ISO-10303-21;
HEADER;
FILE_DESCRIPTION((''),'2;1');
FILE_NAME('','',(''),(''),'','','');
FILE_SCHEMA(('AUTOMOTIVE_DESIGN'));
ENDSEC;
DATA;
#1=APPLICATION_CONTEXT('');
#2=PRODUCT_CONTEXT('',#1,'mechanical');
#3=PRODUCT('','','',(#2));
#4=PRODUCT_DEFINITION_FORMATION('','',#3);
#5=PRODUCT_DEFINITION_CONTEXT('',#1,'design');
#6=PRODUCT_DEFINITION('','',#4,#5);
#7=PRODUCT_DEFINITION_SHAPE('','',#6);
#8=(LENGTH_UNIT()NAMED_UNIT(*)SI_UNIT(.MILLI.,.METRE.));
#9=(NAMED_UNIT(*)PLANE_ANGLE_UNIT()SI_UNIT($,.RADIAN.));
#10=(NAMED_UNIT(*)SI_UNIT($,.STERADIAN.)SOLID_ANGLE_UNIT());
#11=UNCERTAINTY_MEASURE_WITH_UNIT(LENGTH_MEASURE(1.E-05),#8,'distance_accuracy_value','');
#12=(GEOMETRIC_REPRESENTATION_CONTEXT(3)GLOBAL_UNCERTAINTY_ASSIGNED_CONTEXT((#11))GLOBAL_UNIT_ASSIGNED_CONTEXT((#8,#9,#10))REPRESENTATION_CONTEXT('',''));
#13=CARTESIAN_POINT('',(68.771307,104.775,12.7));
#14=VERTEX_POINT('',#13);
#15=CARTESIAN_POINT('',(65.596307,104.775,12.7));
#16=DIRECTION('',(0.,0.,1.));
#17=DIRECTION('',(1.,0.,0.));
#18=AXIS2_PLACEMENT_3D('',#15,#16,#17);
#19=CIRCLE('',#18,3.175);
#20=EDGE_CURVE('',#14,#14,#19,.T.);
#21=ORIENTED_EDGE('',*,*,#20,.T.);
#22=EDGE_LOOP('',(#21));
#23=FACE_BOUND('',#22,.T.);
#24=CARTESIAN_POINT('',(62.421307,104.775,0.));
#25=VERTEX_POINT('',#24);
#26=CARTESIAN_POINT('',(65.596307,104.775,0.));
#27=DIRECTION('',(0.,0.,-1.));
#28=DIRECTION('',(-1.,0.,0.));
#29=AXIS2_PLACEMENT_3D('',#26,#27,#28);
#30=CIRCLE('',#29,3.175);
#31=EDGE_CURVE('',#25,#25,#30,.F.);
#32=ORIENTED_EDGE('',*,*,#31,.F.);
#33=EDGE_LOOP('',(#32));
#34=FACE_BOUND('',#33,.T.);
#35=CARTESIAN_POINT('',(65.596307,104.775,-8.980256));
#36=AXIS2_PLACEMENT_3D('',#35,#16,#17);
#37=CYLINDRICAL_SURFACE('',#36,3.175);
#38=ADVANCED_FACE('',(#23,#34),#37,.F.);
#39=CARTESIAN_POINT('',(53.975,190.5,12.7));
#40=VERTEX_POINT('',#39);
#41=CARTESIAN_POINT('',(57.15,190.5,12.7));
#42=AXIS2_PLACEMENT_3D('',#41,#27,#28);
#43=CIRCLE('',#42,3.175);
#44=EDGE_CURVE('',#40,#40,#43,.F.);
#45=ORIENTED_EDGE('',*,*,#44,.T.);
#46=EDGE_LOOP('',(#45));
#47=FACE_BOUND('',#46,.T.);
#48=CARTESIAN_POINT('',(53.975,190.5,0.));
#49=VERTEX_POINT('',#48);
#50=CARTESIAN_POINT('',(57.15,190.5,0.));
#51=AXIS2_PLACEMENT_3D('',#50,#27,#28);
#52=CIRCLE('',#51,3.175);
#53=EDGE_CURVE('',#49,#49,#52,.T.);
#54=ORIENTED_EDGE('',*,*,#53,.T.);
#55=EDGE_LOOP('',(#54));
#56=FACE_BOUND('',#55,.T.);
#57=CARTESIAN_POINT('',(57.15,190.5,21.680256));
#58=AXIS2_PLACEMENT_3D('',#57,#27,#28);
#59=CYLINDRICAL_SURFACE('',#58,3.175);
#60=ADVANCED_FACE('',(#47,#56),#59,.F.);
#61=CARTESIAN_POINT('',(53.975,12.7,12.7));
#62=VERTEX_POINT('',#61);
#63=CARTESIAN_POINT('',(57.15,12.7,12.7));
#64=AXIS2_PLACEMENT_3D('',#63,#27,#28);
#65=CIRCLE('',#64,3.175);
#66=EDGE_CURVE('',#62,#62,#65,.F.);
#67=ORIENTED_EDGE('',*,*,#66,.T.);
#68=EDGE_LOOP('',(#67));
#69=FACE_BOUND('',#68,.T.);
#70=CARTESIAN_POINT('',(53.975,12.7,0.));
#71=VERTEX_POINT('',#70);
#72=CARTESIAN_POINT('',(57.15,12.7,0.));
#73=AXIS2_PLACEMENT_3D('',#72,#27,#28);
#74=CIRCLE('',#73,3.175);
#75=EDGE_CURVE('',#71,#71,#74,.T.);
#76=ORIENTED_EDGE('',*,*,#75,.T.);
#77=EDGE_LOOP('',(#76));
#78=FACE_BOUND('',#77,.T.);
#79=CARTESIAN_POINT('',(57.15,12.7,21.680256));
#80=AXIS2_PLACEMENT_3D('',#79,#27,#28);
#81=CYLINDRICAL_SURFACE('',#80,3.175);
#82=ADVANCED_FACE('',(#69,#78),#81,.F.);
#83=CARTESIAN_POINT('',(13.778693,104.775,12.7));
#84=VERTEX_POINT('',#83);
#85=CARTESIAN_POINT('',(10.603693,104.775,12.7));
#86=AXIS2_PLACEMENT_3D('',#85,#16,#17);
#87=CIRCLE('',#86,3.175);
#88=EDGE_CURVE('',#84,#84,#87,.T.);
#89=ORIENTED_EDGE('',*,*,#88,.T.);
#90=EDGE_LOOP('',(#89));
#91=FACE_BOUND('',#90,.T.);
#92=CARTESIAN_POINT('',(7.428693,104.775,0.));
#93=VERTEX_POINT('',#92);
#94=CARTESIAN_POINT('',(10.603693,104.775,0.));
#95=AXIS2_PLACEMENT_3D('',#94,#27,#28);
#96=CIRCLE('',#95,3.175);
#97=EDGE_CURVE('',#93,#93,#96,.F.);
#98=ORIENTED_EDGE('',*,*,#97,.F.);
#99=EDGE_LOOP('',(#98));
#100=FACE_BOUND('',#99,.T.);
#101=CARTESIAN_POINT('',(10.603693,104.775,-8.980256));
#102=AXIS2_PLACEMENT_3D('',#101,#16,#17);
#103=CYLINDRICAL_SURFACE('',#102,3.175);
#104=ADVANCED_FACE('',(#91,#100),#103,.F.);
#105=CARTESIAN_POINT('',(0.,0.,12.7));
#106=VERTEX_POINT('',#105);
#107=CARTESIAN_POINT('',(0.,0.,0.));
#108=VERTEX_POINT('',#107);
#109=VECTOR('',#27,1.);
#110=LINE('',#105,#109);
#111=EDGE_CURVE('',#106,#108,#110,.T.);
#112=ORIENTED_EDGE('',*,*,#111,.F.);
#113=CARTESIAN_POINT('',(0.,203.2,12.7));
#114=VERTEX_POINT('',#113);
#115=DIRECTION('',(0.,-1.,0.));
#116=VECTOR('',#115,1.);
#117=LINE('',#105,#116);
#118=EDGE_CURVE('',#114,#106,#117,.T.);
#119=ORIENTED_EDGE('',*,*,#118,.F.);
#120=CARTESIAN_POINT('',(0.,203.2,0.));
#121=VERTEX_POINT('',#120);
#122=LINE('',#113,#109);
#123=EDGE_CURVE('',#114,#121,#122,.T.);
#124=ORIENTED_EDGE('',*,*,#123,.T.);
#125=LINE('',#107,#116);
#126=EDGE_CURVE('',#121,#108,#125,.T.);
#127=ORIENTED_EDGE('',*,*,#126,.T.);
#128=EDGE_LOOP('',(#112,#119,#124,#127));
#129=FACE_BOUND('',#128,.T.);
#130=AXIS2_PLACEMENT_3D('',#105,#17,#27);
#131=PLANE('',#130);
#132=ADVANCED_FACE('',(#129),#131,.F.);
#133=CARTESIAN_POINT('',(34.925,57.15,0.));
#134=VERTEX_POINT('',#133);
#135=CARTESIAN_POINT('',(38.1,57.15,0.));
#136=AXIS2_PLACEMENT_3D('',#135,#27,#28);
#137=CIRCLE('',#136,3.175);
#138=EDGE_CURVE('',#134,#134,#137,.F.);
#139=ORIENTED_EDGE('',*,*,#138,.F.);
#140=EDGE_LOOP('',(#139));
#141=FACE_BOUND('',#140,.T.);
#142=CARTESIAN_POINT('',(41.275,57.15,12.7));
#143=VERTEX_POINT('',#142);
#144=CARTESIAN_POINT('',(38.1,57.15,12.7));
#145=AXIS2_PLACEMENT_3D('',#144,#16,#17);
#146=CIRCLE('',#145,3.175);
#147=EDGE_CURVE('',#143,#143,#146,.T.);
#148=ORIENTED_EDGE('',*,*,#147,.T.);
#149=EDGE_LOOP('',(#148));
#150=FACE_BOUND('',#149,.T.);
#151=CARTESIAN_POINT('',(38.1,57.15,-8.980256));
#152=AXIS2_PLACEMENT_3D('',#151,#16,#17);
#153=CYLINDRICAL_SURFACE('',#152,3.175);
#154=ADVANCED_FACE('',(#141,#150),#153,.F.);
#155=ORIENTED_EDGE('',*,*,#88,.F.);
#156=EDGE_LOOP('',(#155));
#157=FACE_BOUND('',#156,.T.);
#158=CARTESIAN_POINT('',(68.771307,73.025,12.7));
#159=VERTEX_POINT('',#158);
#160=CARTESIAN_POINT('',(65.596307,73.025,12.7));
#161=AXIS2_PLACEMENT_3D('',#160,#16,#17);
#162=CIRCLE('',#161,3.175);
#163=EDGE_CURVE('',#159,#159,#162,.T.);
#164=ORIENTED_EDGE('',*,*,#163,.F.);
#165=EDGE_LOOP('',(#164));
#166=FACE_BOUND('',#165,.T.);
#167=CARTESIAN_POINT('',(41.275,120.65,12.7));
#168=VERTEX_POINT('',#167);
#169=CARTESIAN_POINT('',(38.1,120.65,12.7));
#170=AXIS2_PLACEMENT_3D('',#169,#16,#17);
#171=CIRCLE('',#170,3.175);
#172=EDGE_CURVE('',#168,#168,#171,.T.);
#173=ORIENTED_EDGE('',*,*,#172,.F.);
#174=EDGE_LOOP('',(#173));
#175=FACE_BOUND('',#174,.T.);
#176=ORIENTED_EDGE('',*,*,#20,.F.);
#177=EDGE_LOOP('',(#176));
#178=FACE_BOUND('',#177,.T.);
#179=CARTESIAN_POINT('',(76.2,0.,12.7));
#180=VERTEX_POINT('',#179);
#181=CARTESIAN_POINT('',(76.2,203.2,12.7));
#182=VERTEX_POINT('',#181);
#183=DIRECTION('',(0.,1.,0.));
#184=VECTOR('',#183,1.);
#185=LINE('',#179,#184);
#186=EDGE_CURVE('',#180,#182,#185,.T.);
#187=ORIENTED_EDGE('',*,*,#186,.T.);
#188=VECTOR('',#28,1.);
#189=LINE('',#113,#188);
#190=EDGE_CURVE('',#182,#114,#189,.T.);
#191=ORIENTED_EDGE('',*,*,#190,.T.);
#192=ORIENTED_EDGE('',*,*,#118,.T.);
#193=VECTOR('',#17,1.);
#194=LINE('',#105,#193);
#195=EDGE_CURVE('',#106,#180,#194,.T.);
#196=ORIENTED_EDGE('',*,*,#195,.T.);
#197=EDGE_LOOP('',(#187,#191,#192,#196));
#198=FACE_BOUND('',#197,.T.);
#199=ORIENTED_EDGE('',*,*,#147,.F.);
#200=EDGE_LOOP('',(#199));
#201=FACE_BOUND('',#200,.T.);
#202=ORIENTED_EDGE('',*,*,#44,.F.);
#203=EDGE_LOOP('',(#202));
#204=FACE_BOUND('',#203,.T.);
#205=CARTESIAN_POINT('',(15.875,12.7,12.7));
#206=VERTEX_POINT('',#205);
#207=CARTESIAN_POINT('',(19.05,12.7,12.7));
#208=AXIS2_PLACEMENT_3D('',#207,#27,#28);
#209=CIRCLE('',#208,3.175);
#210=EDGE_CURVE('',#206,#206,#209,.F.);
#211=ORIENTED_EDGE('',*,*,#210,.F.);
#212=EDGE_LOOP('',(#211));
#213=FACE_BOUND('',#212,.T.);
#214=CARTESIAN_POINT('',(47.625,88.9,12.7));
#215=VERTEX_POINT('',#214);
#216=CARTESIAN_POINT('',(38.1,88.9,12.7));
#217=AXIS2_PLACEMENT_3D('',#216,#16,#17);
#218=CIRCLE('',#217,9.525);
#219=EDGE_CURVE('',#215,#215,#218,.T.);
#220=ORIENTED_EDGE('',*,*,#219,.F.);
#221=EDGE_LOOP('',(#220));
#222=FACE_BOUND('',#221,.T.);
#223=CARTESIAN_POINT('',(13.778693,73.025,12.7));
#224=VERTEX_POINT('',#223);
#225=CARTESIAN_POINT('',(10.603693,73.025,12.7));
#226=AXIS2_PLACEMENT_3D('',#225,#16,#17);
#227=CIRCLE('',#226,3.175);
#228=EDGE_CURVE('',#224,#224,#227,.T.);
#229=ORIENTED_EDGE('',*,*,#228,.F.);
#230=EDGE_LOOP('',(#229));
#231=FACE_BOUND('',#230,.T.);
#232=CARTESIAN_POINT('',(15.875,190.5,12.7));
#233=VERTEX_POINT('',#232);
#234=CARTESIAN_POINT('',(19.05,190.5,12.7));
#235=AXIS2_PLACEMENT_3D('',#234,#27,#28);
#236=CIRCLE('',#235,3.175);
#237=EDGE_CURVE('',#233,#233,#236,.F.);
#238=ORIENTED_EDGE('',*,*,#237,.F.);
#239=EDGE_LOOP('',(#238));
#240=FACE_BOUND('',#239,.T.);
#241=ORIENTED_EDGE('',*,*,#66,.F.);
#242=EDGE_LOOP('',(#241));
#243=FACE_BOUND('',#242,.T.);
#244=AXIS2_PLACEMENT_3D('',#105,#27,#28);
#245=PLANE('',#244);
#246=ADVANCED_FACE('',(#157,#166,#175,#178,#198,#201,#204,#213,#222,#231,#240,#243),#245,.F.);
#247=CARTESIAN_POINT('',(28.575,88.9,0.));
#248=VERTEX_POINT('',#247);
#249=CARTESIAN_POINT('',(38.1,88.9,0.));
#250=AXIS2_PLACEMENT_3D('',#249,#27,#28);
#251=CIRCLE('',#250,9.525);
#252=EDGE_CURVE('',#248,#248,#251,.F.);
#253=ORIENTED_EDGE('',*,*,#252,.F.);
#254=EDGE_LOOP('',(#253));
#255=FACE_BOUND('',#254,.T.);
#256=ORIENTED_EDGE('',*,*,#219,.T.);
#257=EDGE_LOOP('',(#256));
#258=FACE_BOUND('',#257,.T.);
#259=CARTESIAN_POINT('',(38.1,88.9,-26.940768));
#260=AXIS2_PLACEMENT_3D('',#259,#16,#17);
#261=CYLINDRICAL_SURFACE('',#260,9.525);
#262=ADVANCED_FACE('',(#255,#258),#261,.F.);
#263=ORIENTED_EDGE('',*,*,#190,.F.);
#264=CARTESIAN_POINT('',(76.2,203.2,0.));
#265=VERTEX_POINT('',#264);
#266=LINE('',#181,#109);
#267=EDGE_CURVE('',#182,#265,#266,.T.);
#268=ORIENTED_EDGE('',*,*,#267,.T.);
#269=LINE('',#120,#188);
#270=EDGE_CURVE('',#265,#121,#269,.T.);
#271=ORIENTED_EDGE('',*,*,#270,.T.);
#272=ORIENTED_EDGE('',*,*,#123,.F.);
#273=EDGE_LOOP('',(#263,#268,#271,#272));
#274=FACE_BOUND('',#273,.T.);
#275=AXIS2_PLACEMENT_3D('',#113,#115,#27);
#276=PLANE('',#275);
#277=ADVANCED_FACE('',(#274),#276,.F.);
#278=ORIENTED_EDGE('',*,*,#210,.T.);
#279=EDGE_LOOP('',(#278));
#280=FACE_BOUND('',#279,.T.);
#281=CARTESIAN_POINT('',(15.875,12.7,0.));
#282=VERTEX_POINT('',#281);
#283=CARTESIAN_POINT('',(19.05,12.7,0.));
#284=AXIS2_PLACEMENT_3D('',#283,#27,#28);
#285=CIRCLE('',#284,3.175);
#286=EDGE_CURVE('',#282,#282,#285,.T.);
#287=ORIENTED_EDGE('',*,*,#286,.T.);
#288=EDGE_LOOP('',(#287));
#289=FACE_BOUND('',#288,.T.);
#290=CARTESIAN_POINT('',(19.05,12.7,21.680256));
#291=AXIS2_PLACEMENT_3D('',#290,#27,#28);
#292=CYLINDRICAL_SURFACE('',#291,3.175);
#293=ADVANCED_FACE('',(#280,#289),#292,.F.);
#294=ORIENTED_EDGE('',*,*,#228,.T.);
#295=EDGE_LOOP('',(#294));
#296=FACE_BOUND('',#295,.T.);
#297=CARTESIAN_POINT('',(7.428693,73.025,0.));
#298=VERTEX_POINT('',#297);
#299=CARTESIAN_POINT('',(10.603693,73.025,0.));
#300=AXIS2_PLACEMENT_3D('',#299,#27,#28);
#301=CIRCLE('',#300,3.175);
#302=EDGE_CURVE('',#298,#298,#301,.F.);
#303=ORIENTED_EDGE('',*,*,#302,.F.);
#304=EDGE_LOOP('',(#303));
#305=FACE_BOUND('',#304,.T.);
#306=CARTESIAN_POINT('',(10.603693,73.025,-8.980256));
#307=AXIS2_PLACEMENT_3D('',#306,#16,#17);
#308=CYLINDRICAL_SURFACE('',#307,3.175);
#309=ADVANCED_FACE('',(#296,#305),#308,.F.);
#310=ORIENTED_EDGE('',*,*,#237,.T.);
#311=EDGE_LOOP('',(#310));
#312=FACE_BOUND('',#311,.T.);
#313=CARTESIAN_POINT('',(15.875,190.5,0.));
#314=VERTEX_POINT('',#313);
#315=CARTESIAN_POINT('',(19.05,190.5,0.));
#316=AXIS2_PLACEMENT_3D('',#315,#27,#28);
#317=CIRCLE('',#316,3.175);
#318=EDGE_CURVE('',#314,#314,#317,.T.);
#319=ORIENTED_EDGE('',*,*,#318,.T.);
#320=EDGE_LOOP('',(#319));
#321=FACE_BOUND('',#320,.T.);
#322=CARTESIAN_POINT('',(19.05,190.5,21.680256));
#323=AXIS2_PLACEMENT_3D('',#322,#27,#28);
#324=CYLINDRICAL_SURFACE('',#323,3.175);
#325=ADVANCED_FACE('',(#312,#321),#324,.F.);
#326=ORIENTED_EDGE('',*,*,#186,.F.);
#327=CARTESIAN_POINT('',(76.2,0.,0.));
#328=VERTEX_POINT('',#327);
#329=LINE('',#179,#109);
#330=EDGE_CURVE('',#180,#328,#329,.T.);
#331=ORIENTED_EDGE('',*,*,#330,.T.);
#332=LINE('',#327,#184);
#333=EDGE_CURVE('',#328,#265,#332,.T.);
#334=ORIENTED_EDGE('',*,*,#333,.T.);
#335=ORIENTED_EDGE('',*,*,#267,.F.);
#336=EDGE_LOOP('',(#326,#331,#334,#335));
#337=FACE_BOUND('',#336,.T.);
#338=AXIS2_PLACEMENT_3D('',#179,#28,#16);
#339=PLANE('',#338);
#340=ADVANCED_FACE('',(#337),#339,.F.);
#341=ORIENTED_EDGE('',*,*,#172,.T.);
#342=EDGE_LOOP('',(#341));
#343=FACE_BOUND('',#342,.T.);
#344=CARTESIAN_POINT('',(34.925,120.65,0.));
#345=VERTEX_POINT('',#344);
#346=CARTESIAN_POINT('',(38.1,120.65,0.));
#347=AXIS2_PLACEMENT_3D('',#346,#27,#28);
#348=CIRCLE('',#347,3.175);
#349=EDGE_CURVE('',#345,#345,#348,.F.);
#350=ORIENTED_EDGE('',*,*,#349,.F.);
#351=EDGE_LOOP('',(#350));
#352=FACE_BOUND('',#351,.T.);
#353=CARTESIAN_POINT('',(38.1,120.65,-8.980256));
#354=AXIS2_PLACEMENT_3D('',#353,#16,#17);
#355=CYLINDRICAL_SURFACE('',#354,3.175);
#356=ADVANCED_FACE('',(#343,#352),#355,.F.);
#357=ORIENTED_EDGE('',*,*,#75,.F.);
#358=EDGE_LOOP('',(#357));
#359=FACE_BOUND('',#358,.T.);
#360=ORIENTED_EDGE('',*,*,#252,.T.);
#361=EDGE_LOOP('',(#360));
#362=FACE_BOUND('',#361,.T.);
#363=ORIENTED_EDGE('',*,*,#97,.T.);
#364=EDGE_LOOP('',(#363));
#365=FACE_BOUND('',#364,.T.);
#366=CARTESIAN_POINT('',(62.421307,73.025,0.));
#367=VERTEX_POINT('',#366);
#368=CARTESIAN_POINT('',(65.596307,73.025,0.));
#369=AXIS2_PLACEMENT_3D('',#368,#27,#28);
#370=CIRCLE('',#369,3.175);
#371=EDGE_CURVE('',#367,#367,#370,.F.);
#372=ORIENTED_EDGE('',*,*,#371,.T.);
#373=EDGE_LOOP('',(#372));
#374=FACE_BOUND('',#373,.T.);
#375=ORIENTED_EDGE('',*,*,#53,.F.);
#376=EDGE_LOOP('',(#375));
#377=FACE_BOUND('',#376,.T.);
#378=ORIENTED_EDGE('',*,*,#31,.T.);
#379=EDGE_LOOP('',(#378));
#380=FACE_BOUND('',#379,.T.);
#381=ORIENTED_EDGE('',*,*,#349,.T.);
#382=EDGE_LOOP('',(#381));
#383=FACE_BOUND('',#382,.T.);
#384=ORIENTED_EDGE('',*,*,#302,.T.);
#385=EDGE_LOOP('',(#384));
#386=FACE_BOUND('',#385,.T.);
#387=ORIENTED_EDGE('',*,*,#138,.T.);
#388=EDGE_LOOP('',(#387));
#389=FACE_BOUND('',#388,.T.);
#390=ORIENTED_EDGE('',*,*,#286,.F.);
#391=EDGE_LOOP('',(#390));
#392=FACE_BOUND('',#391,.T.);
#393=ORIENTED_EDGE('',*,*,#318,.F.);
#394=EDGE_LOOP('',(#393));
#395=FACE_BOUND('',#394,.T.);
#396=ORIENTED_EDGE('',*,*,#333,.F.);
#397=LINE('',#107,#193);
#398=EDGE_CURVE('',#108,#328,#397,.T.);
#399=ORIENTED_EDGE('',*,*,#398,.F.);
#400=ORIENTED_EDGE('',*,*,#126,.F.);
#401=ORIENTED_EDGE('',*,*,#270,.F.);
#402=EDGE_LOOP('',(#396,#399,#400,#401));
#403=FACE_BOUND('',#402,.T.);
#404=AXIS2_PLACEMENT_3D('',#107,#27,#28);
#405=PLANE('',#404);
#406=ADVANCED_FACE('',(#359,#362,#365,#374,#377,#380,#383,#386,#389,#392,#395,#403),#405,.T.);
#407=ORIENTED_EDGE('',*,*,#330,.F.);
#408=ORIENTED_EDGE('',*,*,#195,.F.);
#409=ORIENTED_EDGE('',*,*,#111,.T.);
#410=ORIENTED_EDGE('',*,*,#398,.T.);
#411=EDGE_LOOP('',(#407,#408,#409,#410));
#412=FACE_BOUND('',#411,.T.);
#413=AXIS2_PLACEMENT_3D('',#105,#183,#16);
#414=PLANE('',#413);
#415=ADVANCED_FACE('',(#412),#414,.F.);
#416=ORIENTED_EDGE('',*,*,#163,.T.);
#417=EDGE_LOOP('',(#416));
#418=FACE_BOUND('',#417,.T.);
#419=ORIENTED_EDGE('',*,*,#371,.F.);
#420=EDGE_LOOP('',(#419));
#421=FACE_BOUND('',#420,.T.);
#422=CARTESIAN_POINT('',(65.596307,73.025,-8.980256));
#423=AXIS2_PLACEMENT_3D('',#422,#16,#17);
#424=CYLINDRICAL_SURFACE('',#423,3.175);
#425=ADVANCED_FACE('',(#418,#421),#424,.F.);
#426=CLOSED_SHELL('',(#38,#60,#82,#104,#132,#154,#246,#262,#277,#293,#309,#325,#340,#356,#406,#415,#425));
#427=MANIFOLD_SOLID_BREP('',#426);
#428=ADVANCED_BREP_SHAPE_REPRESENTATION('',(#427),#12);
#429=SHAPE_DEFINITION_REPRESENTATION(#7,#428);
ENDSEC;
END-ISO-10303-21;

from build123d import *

# Parameters (mm, degrees)
SKETCH1_W           = 76.2
SKETCH1_H           = 203.2
BOSS_EXTRUDE1_DEPTH = 12.7
SKETCH2_R           = 3.175
CUT_EXTRUDE1_DEPTH  = 12.7
SKETCH3_R           = 9.525
CUT_EXTRUDE2_DEPTH  = 12.7
SKETCH4_R           = 3.175
CUT_EXTRUDE3_DEPTH  = 12.7


with BuildPart() as part:
    # Sketch1 → Boss-Extrude1 (new body)
    with BuildSketch(Plane.XY):
        with Locations((38.1, 101.6)):
            Rectangle(SKETCH1_W, SKETCH1_H)
    extrude(amount=BOSS_EXTRUDE1_DEPTH)

    # Sketch2 → Cut-Extrude1 (cut)
    with BuildSketch(Plane(origin=(0, 0, 0), x_dir=(-1, 0, 0), z_dir=(0, 0, -1))):
        with Locations((-57.15, 190.5)):
            Circle(SKETCH2_R)
        with Locations((-19.05, 190.5)):
            Circle(SKETCH2_R)
        with Locations((-19.05, 12.7)):
            Circle(SKETCH2_R)
        with Locations((-57.15, 12.7)):
            Circle(SKETCH2_R)
    extrude(amount=-CUT_EXTRUDE1_DEPTH, mode=Mode.SUBTRACT)

    # Sketch3 → Cut-Extrude2 (cut)
    with BuildSketch(Plane.XY.offset(12.7)):
        with Locations((38.1, 88.9)):
            Circle(SKETCH3_R)
    extrude(amount=-CUT_EXTRUDE2_DEPTH, mode=Mode.SUBTRACT)

    # Sketch4 → Cut-Extrude3 (cut)
    with BuildSketch(Plane.XY.offset(12.7)):
        with Locations((38.1, 120.65)):
            Circle(SKETCH4_R)
        with Locations((65.59630657, 104.775)):
            Circle(SKETCH4_R)
        with Locations((65.59630657, 73.025)):
            Circle(SKETCH4_R)
        with Locations((38.1, 57.15)):
            Circle(SKETCH4_R)
        with Locations((10.60369343, 73.025)):
            Circle(SKETCH4_R)
        with Locations((10.60369343, 104.775)):
            Circle(SKETCH4_R)
    extrude(amount=-CUT_EXTRUDE3_DEPTH, mode=Mode.SUBTRACT)


solid = part.part
